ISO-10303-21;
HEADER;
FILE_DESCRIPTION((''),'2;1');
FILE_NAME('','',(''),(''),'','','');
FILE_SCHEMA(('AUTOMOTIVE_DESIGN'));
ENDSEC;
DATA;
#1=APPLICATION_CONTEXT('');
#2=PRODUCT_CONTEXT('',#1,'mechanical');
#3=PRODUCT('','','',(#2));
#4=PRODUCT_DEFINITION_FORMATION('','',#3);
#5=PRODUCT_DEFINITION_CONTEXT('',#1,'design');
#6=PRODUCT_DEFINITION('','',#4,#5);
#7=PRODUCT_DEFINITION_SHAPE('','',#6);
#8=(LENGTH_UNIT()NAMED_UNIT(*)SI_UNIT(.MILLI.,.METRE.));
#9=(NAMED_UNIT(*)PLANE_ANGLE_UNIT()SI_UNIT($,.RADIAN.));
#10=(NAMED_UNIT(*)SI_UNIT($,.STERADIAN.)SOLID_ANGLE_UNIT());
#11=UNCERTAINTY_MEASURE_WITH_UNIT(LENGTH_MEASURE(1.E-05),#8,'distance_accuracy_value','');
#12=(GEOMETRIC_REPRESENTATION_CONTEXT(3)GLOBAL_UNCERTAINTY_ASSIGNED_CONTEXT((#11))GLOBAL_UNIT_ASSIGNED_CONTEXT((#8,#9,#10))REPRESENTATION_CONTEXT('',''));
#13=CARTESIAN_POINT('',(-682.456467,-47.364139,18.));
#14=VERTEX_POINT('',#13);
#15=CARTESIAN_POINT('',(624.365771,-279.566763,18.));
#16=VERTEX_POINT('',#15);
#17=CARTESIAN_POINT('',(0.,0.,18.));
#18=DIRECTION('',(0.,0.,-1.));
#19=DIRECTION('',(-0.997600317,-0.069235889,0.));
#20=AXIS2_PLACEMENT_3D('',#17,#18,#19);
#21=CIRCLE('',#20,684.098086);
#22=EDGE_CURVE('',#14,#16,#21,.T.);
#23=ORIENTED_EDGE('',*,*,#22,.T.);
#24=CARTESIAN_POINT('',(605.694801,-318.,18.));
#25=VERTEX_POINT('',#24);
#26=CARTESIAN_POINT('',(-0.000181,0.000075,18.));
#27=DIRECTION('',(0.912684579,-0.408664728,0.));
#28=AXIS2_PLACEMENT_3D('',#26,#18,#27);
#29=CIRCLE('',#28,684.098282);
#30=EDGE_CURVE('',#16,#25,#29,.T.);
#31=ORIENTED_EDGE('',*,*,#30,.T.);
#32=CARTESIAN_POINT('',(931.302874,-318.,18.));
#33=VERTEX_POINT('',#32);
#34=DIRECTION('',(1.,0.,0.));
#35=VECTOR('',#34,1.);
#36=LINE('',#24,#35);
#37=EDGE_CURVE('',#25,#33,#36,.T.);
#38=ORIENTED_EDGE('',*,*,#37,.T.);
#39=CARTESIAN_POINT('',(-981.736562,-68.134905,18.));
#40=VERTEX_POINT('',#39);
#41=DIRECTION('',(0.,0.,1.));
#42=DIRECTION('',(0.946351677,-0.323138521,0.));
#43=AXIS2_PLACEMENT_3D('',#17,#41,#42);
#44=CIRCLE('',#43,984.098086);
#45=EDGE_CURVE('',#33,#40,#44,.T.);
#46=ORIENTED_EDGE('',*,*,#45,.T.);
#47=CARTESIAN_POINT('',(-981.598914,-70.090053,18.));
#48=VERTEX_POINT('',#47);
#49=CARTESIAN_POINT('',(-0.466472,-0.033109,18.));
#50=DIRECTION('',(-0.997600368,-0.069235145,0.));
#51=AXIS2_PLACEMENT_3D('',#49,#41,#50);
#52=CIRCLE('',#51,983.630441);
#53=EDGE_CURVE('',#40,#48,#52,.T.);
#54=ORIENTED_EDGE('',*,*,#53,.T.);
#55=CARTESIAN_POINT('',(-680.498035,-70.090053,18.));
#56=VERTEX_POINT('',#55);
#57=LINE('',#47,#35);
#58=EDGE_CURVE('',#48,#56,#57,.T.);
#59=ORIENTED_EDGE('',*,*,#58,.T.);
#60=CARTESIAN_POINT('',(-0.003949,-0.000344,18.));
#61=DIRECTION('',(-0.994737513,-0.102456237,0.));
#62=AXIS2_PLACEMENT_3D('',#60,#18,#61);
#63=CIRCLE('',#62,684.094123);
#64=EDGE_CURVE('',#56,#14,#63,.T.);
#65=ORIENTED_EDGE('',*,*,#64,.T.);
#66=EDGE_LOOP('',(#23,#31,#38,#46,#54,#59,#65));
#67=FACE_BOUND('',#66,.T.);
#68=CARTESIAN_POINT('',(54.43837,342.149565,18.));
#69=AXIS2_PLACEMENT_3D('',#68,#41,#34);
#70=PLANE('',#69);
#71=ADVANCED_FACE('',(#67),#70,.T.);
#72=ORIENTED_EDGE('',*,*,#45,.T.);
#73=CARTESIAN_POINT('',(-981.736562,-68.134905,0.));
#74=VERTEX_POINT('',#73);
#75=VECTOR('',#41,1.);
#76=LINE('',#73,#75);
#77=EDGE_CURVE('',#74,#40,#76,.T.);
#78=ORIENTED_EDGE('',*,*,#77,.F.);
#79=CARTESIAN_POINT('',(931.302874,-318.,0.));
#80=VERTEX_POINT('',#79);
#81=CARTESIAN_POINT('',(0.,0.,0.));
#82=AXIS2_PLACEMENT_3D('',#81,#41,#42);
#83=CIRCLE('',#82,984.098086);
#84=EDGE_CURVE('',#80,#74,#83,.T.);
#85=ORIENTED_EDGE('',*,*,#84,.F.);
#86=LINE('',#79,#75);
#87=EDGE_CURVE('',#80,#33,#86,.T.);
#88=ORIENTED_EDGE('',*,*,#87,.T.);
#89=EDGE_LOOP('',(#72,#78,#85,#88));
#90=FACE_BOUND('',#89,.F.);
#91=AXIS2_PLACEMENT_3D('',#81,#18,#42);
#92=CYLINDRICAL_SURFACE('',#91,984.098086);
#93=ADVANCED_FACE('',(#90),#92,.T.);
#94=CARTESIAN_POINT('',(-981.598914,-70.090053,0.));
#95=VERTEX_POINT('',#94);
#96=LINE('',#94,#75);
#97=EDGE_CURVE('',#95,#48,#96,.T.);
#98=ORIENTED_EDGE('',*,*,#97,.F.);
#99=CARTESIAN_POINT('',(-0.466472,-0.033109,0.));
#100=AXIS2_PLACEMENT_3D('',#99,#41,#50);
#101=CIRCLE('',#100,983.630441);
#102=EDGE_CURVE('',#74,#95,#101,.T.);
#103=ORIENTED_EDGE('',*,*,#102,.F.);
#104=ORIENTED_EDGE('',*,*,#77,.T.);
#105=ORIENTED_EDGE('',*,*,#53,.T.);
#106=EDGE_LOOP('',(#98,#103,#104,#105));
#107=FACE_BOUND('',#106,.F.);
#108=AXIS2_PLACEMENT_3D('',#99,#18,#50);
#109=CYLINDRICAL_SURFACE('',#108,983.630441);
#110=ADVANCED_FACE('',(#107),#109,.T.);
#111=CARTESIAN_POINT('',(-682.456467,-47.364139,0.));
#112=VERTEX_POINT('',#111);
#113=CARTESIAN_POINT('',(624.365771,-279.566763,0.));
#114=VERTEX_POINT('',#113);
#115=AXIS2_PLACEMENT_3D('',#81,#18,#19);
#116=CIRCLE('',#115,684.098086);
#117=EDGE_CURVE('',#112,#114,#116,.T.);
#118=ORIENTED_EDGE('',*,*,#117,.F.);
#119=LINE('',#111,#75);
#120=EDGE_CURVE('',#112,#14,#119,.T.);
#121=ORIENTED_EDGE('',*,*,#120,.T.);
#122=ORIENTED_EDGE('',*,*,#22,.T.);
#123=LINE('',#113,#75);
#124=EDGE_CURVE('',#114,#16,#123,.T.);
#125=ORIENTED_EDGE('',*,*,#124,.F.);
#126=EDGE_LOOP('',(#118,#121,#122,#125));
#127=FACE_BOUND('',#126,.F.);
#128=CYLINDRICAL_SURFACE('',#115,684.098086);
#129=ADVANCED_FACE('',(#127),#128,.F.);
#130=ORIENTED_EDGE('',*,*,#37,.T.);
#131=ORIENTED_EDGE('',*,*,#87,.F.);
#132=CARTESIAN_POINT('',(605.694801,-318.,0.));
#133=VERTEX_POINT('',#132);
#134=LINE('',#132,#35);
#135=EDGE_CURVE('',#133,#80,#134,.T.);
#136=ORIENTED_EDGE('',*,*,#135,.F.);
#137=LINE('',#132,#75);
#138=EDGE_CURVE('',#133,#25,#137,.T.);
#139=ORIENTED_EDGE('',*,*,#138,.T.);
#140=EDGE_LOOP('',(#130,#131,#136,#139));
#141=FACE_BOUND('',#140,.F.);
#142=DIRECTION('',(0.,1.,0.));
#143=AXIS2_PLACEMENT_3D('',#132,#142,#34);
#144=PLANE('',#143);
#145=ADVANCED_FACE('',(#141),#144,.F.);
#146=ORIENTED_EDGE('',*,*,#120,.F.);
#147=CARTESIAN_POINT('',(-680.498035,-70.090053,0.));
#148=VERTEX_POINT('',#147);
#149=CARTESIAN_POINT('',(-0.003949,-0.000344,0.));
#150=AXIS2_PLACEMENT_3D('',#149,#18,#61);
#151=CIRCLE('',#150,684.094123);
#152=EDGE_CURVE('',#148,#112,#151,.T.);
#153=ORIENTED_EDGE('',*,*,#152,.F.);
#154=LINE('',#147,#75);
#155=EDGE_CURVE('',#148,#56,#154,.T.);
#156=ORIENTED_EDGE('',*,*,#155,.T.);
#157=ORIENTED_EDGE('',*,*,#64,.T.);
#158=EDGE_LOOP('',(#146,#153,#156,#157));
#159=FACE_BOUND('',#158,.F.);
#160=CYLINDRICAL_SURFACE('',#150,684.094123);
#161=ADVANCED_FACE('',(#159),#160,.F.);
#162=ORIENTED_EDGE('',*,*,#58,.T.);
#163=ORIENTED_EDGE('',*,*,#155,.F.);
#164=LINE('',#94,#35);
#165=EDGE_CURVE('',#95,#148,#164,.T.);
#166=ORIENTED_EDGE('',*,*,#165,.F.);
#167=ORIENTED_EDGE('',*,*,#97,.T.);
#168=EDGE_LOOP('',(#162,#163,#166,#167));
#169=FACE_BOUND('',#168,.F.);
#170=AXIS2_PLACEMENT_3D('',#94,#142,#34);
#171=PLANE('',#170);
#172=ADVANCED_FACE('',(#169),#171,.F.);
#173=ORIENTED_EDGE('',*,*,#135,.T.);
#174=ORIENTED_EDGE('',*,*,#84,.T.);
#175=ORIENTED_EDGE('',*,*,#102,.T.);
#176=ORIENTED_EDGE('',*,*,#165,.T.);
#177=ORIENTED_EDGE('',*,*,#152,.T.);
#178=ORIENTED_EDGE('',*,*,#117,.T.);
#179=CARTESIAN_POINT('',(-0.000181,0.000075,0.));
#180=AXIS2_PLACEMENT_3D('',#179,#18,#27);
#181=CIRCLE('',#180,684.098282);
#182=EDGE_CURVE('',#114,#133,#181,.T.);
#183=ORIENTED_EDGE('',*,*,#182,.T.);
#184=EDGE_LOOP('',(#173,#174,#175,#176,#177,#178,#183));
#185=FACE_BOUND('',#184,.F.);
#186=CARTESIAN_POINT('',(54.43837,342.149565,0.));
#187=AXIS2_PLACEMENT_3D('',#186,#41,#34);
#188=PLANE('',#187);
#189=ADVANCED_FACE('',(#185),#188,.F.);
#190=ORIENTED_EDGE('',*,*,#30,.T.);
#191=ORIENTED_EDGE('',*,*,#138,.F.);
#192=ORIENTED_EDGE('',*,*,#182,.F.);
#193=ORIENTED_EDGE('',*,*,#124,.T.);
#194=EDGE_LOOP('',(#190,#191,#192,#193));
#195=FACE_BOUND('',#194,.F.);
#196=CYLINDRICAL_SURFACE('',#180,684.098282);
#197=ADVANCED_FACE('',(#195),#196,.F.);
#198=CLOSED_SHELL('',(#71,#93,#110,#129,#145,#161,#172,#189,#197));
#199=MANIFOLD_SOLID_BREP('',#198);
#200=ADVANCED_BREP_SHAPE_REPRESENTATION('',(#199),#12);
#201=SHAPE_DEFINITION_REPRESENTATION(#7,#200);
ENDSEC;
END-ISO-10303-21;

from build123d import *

# Parameters (mm, degrees)
F1_DEPTH = 18


with BuildPart() as f1:
    # F0 (on Top) → F1 (new body)
    with BuildSketch(Plane.XY):
        with BuildLine():
            ThreePointArc((624.365771, -279.566763), (615.330424, -298.92919), (605.694801, -318))
            Line((605.694801, -318), (661.646431, -318))
            Line((661.646431, -318), (931.302874, -318))
            ThreePointArc((931.302874, -318), (127.452072, 975.809926), (-981.736562, -68.134905))
            ThreePointArc((-981.736562, -68.134905), (-981.668225, -69.112513), (-981.598914, -70.090053))
            Line((-981.598914, -70.090053), (-730.744404, -70.090053))
            Line((-730.744404, -70.090053), (-680.498035, -70.090053))
            ThreePointArc((-680.498035, -70.090053), (-681.571978, -58.735259), (-682.456467, -47.364139))
            ThreePointArc((-682.456467, -47.364139), (119.679351, 673.548101), (624.365771, -279.566763))
        make_face()
    extrude(amount=F1_DEPTH)


solid = f1.part
